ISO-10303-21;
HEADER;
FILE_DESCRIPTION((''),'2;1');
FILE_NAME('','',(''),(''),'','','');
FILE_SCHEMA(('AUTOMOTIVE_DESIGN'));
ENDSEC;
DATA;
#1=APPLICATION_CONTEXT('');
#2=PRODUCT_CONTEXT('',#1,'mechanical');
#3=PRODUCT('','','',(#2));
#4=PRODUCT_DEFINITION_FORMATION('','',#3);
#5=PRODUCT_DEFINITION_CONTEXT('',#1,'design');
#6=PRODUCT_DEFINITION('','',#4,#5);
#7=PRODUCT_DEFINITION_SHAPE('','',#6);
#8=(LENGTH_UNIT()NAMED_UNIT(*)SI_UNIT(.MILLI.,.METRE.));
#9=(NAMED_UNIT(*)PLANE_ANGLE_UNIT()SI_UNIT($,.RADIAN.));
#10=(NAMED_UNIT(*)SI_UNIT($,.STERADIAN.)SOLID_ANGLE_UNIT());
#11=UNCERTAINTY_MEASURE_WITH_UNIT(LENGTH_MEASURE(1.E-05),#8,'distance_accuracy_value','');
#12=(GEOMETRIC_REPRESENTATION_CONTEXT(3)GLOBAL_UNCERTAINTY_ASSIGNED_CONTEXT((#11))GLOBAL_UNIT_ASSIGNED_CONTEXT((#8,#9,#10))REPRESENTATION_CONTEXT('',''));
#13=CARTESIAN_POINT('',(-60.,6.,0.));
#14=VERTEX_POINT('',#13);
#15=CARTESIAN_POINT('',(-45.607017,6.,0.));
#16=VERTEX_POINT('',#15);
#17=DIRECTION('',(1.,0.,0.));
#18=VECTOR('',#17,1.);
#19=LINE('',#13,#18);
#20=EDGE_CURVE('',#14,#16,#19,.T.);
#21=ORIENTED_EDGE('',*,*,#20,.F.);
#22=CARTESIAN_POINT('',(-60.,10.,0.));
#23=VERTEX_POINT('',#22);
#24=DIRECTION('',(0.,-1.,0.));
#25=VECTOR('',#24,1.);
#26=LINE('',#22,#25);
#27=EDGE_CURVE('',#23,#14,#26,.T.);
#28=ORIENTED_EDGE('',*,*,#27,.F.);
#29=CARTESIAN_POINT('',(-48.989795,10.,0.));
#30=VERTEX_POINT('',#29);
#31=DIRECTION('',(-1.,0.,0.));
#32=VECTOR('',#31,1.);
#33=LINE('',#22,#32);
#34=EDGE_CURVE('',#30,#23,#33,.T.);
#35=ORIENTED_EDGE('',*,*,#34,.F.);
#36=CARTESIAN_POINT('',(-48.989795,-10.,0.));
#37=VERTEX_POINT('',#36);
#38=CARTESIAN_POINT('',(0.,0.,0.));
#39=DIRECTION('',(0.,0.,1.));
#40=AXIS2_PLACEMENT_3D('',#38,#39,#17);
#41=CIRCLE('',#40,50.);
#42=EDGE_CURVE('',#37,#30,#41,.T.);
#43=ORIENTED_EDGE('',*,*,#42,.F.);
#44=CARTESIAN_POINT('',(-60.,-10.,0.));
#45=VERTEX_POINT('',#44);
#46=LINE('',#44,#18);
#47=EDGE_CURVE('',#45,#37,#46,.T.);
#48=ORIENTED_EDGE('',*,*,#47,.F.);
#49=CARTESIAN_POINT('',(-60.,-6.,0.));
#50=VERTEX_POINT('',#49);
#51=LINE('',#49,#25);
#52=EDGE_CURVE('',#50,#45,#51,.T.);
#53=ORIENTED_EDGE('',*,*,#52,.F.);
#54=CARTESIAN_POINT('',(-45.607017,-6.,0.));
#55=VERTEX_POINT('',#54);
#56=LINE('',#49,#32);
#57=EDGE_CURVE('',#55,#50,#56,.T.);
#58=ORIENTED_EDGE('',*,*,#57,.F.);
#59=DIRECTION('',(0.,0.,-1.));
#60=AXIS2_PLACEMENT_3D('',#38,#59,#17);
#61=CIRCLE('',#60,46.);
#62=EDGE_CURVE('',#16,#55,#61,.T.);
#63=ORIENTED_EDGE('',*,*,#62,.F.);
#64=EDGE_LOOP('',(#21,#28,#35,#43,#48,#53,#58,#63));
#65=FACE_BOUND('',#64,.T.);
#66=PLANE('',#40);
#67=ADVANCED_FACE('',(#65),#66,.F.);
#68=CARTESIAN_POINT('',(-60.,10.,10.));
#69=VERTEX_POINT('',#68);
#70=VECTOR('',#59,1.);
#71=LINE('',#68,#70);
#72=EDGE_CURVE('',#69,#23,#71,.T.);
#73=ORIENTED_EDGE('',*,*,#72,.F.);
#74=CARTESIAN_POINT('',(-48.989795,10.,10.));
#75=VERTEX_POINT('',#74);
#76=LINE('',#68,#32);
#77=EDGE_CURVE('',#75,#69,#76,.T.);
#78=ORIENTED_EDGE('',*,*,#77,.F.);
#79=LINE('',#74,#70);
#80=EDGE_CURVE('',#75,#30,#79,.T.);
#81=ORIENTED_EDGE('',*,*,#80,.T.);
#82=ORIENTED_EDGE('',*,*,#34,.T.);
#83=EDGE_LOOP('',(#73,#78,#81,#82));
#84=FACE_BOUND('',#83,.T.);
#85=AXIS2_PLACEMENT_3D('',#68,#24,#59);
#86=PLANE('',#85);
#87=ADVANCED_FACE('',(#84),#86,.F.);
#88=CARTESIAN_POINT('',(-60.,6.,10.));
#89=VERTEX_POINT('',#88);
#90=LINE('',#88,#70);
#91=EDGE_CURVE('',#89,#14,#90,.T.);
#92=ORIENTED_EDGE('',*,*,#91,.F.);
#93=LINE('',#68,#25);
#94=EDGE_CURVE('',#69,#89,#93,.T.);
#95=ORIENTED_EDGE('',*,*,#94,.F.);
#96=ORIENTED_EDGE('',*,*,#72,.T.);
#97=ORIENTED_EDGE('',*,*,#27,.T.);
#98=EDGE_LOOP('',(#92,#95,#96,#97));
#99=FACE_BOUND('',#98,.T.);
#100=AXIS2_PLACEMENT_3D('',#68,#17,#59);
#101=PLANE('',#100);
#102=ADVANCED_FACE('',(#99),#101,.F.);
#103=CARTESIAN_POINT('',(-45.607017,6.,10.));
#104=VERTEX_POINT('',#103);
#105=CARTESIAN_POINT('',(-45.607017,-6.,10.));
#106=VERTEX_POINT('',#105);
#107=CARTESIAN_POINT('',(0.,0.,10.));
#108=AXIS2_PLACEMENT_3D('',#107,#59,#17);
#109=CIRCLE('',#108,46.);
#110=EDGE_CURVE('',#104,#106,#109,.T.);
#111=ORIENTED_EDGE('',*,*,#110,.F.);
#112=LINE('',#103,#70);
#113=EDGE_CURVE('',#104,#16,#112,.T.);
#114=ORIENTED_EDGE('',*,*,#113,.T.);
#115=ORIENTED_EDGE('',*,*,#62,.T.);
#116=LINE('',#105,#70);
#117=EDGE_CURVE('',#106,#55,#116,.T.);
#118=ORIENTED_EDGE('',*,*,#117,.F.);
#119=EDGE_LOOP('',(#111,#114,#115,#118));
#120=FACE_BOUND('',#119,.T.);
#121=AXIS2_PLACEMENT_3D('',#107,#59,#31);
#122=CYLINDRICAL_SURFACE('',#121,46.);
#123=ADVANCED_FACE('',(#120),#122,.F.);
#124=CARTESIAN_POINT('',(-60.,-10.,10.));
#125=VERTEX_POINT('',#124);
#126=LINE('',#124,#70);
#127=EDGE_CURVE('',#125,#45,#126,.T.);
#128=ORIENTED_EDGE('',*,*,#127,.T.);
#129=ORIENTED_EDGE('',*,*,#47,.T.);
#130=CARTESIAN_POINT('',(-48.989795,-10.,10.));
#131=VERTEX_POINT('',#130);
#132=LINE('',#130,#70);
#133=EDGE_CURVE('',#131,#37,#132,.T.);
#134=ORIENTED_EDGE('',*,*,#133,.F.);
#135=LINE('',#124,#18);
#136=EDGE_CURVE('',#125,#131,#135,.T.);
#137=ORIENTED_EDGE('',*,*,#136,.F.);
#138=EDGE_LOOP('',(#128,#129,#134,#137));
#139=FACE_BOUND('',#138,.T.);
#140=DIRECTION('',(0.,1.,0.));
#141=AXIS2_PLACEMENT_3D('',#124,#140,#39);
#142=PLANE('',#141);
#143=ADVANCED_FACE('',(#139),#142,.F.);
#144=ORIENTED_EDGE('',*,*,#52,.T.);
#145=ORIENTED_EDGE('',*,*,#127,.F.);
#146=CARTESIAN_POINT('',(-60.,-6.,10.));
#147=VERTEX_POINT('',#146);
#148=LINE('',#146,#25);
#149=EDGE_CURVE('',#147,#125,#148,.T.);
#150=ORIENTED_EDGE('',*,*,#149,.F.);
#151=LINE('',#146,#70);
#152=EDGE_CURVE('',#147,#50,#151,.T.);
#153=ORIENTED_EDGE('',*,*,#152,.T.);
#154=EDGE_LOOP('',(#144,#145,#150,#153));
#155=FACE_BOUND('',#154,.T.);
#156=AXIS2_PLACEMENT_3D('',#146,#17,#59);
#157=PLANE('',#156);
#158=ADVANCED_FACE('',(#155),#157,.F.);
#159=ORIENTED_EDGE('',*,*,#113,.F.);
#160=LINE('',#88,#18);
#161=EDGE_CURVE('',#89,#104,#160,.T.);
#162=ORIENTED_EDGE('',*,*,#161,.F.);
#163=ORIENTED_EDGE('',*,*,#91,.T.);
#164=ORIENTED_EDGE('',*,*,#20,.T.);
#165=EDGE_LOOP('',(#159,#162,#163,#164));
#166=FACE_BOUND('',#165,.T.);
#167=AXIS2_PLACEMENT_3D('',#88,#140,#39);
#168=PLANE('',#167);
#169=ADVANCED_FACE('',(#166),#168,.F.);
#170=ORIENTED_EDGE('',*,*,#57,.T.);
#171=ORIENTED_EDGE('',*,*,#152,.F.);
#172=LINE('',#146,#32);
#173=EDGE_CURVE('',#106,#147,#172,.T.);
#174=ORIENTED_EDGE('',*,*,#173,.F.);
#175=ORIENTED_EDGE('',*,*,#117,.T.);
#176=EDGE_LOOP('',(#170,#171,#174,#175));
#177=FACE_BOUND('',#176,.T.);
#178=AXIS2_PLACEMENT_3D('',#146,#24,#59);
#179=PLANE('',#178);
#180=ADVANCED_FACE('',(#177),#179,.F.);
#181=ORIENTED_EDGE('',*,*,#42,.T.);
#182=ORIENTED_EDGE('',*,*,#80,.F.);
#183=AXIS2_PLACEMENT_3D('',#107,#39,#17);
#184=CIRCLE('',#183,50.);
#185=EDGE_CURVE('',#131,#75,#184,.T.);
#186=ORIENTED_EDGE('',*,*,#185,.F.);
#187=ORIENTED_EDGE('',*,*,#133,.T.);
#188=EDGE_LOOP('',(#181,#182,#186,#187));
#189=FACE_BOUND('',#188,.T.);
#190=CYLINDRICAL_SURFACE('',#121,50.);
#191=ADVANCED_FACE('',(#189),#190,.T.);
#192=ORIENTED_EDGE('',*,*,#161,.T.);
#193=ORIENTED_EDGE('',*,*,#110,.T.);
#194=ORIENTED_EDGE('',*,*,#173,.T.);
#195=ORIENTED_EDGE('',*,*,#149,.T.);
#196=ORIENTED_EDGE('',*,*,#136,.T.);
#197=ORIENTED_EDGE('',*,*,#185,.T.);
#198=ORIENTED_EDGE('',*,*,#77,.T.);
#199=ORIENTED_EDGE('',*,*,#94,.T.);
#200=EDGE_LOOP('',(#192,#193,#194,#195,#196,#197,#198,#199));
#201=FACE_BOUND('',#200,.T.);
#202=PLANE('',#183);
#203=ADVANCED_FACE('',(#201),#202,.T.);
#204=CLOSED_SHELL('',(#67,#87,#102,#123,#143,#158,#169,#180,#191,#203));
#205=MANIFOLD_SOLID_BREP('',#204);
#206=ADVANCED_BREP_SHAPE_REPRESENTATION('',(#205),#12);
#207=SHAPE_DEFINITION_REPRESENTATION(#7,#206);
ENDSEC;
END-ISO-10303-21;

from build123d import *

# Parameters (mm, degrees)
BOSS_EXTRUDE1_DEPTH = 10


with BuildPart() as part:
    # Sketch1 → Boss-Extrude1 (new body)
    with BuildSketch(Plane.XY):
        with BuildLine():
            Line((-60, 10), (-48.989794856, 10))
            ThreePointArc((-48.989794856, 10), (50, 0), (-48.989794856, -10))
            Line((-48.989794856, -10), (-60, -10))
            Line((-60, -10), (-60, -6))
            Line((-60, -6), (-45.607017004, -6))
            ThreePointArc((-45.607017004, -6), (46, 0), (-45.607017004, 6))
            Line((-45.607017004, 6), (-60, 6))
            Line((-60, 6), (-60, 10))
        make_face()
    extrude(amount=BOSS_EXTRUDE1_DEPTH)


solid = part.part
